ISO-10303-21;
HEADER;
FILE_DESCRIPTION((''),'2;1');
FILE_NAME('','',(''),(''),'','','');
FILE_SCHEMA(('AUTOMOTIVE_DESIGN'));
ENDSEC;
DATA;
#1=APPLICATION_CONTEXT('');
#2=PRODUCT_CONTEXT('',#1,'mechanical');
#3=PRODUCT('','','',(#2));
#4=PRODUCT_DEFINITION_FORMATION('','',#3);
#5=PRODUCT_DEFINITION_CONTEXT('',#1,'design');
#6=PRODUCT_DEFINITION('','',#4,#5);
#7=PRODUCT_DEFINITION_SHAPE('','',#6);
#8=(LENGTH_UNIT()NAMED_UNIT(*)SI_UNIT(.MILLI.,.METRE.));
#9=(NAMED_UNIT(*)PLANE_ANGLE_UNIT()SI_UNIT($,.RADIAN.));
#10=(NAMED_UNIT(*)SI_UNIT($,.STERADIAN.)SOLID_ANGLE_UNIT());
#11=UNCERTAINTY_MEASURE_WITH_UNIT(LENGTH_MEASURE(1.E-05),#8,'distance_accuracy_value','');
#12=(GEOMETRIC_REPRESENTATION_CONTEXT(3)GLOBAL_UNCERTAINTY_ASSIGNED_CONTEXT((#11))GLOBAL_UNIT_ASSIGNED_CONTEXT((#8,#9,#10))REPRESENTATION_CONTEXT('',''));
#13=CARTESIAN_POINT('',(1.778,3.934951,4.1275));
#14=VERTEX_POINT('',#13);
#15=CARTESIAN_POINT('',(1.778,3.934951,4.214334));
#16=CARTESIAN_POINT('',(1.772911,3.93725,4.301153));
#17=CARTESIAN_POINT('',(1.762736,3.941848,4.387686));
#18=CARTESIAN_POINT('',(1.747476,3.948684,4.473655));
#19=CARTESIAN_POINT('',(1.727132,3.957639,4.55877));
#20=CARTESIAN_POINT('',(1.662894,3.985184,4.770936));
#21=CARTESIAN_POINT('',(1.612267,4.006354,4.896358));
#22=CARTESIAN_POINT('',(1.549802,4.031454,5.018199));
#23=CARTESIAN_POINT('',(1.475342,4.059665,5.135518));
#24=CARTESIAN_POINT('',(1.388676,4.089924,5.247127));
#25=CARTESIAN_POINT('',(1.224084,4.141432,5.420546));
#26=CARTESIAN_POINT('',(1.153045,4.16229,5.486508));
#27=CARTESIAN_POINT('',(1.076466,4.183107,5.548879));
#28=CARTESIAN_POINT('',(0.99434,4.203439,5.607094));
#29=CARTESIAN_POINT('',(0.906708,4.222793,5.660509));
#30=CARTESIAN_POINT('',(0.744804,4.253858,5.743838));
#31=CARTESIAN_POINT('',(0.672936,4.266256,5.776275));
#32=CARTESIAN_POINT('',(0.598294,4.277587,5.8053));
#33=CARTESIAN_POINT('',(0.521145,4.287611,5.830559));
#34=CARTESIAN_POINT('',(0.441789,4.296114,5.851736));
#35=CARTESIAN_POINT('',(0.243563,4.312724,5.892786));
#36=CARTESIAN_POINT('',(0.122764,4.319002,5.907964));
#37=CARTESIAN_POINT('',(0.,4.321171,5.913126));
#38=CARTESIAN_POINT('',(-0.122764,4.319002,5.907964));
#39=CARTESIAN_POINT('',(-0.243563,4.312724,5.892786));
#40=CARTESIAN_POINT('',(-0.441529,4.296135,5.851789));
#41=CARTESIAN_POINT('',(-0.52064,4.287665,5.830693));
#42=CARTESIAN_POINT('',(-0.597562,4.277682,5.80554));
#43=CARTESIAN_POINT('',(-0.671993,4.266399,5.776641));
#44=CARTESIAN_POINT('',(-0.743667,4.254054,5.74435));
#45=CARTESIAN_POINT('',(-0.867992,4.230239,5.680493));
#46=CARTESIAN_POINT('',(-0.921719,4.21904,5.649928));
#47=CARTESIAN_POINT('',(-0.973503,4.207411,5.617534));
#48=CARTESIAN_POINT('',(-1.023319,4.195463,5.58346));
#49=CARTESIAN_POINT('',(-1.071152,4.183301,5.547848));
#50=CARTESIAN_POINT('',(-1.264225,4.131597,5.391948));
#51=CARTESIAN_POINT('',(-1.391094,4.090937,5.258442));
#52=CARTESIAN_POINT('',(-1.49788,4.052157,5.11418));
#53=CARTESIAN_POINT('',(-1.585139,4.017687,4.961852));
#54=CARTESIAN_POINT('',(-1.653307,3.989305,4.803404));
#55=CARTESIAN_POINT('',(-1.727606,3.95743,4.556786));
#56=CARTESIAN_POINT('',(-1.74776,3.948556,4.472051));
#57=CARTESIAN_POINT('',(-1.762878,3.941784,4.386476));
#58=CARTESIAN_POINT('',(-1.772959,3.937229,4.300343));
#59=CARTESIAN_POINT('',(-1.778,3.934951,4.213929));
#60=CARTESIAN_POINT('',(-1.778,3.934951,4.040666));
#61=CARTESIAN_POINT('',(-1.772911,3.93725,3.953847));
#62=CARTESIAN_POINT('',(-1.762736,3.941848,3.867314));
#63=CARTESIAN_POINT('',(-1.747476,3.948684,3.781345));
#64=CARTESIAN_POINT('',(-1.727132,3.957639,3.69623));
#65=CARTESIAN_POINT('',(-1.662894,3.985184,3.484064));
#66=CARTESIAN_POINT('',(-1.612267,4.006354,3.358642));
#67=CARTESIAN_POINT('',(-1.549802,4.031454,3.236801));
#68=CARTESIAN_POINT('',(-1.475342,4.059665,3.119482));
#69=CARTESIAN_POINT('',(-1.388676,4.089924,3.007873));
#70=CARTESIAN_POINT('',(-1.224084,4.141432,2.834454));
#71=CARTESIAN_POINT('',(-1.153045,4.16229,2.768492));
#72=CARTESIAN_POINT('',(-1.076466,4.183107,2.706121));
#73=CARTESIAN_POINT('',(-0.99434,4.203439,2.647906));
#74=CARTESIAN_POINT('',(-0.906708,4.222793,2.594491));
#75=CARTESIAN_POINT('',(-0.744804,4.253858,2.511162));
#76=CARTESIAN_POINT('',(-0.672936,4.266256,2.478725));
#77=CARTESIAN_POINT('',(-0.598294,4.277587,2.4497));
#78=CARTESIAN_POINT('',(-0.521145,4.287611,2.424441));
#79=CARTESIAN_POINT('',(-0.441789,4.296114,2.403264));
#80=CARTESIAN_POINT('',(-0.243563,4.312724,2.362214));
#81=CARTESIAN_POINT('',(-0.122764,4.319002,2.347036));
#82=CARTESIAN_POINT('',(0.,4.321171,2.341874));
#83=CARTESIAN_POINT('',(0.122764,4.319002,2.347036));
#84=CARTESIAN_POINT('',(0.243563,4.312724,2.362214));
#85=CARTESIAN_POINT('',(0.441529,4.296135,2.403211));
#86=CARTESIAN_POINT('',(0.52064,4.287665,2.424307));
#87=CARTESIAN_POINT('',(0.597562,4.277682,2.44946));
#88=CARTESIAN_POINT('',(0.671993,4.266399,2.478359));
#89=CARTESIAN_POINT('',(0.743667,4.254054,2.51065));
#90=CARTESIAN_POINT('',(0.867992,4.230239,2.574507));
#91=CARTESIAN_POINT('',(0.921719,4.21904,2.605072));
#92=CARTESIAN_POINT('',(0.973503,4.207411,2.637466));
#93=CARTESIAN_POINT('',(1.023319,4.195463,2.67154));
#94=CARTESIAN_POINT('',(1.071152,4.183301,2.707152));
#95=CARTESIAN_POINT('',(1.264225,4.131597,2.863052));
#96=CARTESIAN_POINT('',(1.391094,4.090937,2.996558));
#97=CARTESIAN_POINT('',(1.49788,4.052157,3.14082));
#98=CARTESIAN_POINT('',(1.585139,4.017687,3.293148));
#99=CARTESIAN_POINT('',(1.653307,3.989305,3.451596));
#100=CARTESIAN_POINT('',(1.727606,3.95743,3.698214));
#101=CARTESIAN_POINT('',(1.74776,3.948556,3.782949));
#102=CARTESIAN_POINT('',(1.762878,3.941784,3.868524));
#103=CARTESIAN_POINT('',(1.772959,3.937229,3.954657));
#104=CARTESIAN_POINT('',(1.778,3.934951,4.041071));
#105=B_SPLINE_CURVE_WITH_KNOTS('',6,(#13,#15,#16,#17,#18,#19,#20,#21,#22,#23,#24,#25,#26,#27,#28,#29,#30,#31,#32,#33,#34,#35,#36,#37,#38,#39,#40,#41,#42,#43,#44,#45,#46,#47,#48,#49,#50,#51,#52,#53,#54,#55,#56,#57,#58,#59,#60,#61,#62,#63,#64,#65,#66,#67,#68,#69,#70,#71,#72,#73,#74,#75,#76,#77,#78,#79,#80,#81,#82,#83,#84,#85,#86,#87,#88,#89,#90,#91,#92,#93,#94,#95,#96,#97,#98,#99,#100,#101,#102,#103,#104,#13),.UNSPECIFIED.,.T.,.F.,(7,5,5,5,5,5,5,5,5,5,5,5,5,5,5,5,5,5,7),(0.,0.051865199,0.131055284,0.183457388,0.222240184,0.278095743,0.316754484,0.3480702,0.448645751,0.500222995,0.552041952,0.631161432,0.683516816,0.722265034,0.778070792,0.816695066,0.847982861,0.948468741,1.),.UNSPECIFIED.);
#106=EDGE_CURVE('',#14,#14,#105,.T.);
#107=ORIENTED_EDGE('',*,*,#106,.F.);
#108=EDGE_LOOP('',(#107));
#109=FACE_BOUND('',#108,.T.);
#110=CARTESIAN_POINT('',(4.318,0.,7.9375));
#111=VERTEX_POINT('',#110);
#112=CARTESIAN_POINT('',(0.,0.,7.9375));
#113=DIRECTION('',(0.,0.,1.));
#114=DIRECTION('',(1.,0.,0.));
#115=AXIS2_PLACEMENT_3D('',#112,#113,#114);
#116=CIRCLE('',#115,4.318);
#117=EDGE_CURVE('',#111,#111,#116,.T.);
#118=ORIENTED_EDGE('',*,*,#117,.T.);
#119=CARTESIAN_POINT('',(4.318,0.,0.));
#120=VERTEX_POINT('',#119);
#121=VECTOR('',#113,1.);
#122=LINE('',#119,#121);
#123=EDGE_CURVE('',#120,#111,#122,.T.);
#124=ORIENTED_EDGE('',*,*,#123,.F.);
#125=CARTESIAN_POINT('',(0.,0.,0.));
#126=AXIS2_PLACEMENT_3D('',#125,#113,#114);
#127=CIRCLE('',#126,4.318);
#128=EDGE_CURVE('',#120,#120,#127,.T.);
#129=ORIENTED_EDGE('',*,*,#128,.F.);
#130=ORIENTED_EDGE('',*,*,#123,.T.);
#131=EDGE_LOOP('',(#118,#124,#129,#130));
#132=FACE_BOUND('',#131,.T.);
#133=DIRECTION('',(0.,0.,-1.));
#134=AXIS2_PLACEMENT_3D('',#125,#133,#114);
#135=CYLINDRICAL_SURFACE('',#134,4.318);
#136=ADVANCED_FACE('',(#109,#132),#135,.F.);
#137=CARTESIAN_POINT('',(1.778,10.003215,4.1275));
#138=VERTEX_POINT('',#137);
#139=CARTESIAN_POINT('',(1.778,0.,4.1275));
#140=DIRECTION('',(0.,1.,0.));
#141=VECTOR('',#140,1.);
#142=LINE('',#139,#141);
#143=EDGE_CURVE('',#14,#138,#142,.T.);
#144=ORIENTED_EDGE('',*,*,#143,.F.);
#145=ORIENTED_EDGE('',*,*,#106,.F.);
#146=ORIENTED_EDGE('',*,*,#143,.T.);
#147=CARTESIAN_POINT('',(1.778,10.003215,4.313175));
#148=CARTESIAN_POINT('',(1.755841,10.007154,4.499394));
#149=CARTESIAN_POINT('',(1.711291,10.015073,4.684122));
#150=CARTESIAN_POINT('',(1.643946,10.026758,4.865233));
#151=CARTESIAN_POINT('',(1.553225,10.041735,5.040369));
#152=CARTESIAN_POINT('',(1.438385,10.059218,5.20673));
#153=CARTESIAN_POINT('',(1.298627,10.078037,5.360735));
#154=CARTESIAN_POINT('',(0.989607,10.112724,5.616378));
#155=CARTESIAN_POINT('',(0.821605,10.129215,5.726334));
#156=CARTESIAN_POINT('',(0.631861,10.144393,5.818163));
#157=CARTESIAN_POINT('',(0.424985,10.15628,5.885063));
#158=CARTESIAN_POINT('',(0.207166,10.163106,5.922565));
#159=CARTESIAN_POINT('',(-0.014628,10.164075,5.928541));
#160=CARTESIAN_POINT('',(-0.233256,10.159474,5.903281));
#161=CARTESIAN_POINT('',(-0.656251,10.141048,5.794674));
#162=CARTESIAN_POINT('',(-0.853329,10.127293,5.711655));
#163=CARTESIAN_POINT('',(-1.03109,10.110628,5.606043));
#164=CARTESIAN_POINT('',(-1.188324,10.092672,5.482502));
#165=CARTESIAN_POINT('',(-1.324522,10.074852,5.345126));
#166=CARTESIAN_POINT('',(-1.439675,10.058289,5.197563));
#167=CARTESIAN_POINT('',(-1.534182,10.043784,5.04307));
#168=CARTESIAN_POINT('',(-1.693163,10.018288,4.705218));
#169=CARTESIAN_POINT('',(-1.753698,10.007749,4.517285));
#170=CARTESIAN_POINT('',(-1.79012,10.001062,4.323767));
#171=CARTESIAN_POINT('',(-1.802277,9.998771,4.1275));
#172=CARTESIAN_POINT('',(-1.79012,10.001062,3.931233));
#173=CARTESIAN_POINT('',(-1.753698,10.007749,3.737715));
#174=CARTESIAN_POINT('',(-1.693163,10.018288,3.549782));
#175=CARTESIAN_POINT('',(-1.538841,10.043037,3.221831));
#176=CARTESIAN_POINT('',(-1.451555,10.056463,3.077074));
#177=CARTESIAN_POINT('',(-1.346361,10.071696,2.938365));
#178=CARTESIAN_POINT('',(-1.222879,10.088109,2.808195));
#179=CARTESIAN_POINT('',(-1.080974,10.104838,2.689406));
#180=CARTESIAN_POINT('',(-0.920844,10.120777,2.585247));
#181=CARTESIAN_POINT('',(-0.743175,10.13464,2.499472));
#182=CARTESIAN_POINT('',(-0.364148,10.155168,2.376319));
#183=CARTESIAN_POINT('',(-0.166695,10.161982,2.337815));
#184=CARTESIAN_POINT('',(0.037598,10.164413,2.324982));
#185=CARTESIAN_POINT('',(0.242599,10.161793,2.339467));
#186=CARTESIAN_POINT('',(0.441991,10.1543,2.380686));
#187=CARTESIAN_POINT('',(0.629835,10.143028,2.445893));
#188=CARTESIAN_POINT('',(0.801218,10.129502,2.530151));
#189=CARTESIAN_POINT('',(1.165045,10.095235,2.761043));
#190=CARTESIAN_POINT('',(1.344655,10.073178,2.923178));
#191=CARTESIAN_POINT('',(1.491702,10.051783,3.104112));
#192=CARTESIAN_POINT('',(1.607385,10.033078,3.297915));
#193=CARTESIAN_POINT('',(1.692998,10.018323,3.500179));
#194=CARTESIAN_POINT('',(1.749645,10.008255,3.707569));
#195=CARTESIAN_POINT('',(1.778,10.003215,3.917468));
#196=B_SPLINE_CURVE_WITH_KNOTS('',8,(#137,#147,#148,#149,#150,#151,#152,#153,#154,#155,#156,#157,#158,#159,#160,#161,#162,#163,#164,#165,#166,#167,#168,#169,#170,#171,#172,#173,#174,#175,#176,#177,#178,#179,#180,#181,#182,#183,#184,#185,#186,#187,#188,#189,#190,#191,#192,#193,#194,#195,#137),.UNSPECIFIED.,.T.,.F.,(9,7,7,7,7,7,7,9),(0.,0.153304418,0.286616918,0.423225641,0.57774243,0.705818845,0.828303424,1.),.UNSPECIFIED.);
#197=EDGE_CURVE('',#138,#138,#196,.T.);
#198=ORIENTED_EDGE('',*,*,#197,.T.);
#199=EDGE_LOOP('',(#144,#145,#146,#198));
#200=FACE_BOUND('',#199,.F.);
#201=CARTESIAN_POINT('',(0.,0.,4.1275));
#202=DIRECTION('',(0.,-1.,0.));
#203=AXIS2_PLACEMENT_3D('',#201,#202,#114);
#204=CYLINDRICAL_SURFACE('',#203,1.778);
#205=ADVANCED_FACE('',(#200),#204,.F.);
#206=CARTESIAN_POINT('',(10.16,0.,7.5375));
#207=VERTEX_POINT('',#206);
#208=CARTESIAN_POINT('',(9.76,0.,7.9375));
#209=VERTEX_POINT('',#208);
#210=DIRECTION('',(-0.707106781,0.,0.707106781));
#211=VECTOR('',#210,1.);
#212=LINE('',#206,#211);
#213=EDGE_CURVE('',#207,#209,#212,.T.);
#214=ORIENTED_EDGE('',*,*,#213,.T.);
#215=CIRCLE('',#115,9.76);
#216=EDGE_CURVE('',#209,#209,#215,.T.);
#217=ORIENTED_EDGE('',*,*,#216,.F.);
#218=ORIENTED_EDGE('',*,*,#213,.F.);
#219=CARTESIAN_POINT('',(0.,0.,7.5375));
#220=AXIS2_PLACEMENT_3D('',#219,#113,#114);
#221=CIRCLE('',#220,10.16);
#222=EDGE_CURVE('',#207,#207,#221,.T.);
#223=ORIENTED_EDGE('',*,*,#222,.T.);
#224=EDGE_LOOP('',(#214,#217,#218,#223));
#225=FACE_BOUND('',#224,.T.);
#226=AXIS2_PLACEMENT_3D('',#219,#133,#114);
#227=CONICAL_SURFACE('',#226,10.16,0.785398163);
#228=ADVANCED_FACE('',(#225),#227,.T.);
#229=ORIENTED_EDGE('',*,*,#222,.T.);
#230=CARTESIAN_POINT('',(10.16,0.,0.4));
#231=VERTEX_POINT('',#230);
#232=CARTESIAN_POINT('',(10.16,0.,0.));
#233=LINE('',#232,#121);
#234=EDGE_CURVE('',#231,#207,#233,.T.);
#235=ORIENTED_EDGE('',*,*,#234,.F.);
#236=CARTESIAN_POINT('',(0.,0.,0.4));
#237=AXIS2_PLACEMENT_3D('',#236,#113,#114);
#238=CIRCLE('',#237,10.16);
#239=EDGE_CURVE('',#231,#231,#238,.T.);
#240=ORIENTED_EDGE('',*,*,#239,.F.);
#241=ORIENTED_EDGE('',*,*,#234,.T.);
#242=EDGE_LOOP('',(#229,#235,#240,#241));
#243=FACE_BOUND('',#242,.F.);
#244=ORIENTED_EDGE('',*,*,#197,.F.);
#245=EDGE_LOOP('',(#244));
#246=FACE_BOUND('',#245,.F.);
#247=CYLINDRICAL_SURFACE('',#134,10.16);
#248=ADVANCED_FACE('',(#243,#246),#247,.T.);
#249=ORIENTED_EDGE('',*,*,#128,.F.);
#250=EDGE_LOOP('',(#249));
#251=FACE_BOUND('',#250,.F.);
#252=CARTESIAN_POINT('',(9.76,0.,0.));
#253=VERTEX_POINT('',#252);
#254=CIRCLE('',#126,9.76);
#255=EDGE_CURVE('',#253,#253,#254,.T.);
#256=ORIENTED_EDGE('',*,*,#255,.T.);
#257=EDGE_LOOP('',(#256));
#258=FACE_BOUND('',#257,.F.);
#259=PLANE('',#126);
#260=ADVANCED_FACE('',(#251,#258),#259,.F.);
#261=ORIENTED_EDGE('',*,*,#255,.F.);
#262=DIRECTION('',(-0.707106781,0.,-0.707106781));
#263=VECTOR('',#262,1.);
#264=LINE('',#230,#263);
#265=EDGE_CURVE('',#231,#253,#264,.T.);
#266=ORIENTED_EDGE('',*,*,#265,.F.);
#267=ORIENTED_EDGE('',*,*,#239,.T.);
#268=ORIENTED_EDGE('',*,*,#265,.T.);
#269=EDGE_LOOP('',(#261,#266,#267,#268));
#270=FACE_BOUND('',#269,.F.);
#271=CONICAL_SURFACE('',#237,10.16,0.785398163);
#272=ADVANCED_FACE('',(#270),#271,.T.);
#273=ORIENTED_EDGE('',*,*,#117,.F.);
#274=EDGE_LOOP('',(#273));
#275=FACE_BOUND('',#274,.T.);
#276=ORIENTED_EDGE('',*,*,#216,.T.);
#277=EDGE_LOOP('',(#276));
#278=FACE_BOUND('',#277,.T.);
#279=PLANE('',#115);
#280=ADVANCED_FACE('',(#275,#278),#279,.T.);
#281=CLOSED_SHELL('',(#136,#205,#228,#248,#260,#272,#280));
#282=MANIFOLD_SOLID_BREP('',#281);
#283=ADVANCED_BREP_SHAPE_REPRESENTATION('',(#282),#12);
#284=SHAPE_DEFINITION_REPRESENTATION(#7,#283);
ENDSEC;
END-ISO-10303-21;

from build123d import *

# Parameters (mm, degrees)
F0_R     = 10.16
F0_R_2   = 4.318
F1_DEPTH = 7.9375
F2_R     = 1.778
F3_DEPTH = 25.4
F4_SIZE  = 0.4


with BuildPart() as f1:
    # F0 (on Top) → F1 (new body)
    with BuildSketch(Plane.XY):
        Circle(F0_R)
        Circle(F0_R_2, mode=Mode.SUBTRACT)
    extrude(amount=F1_DEPTH)

    # F2 (on Front) → F3 (cut)
    with BuildSketch(Plane.XZ):
        with Locations((0, 4.1275)):
            Circle(F2_R)
    extrude(amount=-F3_DEPTH, mode=Mode.SUBTRACT)

    # F4
    f4_edges = [f1.edges().sort_by_distance(p)[0] for p in [
        (-10.16, 0, 0),
        (-10.16, 0, 7.9375),
    ]]
    chamfer(f4_edges, length=F4_SIZE)


solid = f1.part
